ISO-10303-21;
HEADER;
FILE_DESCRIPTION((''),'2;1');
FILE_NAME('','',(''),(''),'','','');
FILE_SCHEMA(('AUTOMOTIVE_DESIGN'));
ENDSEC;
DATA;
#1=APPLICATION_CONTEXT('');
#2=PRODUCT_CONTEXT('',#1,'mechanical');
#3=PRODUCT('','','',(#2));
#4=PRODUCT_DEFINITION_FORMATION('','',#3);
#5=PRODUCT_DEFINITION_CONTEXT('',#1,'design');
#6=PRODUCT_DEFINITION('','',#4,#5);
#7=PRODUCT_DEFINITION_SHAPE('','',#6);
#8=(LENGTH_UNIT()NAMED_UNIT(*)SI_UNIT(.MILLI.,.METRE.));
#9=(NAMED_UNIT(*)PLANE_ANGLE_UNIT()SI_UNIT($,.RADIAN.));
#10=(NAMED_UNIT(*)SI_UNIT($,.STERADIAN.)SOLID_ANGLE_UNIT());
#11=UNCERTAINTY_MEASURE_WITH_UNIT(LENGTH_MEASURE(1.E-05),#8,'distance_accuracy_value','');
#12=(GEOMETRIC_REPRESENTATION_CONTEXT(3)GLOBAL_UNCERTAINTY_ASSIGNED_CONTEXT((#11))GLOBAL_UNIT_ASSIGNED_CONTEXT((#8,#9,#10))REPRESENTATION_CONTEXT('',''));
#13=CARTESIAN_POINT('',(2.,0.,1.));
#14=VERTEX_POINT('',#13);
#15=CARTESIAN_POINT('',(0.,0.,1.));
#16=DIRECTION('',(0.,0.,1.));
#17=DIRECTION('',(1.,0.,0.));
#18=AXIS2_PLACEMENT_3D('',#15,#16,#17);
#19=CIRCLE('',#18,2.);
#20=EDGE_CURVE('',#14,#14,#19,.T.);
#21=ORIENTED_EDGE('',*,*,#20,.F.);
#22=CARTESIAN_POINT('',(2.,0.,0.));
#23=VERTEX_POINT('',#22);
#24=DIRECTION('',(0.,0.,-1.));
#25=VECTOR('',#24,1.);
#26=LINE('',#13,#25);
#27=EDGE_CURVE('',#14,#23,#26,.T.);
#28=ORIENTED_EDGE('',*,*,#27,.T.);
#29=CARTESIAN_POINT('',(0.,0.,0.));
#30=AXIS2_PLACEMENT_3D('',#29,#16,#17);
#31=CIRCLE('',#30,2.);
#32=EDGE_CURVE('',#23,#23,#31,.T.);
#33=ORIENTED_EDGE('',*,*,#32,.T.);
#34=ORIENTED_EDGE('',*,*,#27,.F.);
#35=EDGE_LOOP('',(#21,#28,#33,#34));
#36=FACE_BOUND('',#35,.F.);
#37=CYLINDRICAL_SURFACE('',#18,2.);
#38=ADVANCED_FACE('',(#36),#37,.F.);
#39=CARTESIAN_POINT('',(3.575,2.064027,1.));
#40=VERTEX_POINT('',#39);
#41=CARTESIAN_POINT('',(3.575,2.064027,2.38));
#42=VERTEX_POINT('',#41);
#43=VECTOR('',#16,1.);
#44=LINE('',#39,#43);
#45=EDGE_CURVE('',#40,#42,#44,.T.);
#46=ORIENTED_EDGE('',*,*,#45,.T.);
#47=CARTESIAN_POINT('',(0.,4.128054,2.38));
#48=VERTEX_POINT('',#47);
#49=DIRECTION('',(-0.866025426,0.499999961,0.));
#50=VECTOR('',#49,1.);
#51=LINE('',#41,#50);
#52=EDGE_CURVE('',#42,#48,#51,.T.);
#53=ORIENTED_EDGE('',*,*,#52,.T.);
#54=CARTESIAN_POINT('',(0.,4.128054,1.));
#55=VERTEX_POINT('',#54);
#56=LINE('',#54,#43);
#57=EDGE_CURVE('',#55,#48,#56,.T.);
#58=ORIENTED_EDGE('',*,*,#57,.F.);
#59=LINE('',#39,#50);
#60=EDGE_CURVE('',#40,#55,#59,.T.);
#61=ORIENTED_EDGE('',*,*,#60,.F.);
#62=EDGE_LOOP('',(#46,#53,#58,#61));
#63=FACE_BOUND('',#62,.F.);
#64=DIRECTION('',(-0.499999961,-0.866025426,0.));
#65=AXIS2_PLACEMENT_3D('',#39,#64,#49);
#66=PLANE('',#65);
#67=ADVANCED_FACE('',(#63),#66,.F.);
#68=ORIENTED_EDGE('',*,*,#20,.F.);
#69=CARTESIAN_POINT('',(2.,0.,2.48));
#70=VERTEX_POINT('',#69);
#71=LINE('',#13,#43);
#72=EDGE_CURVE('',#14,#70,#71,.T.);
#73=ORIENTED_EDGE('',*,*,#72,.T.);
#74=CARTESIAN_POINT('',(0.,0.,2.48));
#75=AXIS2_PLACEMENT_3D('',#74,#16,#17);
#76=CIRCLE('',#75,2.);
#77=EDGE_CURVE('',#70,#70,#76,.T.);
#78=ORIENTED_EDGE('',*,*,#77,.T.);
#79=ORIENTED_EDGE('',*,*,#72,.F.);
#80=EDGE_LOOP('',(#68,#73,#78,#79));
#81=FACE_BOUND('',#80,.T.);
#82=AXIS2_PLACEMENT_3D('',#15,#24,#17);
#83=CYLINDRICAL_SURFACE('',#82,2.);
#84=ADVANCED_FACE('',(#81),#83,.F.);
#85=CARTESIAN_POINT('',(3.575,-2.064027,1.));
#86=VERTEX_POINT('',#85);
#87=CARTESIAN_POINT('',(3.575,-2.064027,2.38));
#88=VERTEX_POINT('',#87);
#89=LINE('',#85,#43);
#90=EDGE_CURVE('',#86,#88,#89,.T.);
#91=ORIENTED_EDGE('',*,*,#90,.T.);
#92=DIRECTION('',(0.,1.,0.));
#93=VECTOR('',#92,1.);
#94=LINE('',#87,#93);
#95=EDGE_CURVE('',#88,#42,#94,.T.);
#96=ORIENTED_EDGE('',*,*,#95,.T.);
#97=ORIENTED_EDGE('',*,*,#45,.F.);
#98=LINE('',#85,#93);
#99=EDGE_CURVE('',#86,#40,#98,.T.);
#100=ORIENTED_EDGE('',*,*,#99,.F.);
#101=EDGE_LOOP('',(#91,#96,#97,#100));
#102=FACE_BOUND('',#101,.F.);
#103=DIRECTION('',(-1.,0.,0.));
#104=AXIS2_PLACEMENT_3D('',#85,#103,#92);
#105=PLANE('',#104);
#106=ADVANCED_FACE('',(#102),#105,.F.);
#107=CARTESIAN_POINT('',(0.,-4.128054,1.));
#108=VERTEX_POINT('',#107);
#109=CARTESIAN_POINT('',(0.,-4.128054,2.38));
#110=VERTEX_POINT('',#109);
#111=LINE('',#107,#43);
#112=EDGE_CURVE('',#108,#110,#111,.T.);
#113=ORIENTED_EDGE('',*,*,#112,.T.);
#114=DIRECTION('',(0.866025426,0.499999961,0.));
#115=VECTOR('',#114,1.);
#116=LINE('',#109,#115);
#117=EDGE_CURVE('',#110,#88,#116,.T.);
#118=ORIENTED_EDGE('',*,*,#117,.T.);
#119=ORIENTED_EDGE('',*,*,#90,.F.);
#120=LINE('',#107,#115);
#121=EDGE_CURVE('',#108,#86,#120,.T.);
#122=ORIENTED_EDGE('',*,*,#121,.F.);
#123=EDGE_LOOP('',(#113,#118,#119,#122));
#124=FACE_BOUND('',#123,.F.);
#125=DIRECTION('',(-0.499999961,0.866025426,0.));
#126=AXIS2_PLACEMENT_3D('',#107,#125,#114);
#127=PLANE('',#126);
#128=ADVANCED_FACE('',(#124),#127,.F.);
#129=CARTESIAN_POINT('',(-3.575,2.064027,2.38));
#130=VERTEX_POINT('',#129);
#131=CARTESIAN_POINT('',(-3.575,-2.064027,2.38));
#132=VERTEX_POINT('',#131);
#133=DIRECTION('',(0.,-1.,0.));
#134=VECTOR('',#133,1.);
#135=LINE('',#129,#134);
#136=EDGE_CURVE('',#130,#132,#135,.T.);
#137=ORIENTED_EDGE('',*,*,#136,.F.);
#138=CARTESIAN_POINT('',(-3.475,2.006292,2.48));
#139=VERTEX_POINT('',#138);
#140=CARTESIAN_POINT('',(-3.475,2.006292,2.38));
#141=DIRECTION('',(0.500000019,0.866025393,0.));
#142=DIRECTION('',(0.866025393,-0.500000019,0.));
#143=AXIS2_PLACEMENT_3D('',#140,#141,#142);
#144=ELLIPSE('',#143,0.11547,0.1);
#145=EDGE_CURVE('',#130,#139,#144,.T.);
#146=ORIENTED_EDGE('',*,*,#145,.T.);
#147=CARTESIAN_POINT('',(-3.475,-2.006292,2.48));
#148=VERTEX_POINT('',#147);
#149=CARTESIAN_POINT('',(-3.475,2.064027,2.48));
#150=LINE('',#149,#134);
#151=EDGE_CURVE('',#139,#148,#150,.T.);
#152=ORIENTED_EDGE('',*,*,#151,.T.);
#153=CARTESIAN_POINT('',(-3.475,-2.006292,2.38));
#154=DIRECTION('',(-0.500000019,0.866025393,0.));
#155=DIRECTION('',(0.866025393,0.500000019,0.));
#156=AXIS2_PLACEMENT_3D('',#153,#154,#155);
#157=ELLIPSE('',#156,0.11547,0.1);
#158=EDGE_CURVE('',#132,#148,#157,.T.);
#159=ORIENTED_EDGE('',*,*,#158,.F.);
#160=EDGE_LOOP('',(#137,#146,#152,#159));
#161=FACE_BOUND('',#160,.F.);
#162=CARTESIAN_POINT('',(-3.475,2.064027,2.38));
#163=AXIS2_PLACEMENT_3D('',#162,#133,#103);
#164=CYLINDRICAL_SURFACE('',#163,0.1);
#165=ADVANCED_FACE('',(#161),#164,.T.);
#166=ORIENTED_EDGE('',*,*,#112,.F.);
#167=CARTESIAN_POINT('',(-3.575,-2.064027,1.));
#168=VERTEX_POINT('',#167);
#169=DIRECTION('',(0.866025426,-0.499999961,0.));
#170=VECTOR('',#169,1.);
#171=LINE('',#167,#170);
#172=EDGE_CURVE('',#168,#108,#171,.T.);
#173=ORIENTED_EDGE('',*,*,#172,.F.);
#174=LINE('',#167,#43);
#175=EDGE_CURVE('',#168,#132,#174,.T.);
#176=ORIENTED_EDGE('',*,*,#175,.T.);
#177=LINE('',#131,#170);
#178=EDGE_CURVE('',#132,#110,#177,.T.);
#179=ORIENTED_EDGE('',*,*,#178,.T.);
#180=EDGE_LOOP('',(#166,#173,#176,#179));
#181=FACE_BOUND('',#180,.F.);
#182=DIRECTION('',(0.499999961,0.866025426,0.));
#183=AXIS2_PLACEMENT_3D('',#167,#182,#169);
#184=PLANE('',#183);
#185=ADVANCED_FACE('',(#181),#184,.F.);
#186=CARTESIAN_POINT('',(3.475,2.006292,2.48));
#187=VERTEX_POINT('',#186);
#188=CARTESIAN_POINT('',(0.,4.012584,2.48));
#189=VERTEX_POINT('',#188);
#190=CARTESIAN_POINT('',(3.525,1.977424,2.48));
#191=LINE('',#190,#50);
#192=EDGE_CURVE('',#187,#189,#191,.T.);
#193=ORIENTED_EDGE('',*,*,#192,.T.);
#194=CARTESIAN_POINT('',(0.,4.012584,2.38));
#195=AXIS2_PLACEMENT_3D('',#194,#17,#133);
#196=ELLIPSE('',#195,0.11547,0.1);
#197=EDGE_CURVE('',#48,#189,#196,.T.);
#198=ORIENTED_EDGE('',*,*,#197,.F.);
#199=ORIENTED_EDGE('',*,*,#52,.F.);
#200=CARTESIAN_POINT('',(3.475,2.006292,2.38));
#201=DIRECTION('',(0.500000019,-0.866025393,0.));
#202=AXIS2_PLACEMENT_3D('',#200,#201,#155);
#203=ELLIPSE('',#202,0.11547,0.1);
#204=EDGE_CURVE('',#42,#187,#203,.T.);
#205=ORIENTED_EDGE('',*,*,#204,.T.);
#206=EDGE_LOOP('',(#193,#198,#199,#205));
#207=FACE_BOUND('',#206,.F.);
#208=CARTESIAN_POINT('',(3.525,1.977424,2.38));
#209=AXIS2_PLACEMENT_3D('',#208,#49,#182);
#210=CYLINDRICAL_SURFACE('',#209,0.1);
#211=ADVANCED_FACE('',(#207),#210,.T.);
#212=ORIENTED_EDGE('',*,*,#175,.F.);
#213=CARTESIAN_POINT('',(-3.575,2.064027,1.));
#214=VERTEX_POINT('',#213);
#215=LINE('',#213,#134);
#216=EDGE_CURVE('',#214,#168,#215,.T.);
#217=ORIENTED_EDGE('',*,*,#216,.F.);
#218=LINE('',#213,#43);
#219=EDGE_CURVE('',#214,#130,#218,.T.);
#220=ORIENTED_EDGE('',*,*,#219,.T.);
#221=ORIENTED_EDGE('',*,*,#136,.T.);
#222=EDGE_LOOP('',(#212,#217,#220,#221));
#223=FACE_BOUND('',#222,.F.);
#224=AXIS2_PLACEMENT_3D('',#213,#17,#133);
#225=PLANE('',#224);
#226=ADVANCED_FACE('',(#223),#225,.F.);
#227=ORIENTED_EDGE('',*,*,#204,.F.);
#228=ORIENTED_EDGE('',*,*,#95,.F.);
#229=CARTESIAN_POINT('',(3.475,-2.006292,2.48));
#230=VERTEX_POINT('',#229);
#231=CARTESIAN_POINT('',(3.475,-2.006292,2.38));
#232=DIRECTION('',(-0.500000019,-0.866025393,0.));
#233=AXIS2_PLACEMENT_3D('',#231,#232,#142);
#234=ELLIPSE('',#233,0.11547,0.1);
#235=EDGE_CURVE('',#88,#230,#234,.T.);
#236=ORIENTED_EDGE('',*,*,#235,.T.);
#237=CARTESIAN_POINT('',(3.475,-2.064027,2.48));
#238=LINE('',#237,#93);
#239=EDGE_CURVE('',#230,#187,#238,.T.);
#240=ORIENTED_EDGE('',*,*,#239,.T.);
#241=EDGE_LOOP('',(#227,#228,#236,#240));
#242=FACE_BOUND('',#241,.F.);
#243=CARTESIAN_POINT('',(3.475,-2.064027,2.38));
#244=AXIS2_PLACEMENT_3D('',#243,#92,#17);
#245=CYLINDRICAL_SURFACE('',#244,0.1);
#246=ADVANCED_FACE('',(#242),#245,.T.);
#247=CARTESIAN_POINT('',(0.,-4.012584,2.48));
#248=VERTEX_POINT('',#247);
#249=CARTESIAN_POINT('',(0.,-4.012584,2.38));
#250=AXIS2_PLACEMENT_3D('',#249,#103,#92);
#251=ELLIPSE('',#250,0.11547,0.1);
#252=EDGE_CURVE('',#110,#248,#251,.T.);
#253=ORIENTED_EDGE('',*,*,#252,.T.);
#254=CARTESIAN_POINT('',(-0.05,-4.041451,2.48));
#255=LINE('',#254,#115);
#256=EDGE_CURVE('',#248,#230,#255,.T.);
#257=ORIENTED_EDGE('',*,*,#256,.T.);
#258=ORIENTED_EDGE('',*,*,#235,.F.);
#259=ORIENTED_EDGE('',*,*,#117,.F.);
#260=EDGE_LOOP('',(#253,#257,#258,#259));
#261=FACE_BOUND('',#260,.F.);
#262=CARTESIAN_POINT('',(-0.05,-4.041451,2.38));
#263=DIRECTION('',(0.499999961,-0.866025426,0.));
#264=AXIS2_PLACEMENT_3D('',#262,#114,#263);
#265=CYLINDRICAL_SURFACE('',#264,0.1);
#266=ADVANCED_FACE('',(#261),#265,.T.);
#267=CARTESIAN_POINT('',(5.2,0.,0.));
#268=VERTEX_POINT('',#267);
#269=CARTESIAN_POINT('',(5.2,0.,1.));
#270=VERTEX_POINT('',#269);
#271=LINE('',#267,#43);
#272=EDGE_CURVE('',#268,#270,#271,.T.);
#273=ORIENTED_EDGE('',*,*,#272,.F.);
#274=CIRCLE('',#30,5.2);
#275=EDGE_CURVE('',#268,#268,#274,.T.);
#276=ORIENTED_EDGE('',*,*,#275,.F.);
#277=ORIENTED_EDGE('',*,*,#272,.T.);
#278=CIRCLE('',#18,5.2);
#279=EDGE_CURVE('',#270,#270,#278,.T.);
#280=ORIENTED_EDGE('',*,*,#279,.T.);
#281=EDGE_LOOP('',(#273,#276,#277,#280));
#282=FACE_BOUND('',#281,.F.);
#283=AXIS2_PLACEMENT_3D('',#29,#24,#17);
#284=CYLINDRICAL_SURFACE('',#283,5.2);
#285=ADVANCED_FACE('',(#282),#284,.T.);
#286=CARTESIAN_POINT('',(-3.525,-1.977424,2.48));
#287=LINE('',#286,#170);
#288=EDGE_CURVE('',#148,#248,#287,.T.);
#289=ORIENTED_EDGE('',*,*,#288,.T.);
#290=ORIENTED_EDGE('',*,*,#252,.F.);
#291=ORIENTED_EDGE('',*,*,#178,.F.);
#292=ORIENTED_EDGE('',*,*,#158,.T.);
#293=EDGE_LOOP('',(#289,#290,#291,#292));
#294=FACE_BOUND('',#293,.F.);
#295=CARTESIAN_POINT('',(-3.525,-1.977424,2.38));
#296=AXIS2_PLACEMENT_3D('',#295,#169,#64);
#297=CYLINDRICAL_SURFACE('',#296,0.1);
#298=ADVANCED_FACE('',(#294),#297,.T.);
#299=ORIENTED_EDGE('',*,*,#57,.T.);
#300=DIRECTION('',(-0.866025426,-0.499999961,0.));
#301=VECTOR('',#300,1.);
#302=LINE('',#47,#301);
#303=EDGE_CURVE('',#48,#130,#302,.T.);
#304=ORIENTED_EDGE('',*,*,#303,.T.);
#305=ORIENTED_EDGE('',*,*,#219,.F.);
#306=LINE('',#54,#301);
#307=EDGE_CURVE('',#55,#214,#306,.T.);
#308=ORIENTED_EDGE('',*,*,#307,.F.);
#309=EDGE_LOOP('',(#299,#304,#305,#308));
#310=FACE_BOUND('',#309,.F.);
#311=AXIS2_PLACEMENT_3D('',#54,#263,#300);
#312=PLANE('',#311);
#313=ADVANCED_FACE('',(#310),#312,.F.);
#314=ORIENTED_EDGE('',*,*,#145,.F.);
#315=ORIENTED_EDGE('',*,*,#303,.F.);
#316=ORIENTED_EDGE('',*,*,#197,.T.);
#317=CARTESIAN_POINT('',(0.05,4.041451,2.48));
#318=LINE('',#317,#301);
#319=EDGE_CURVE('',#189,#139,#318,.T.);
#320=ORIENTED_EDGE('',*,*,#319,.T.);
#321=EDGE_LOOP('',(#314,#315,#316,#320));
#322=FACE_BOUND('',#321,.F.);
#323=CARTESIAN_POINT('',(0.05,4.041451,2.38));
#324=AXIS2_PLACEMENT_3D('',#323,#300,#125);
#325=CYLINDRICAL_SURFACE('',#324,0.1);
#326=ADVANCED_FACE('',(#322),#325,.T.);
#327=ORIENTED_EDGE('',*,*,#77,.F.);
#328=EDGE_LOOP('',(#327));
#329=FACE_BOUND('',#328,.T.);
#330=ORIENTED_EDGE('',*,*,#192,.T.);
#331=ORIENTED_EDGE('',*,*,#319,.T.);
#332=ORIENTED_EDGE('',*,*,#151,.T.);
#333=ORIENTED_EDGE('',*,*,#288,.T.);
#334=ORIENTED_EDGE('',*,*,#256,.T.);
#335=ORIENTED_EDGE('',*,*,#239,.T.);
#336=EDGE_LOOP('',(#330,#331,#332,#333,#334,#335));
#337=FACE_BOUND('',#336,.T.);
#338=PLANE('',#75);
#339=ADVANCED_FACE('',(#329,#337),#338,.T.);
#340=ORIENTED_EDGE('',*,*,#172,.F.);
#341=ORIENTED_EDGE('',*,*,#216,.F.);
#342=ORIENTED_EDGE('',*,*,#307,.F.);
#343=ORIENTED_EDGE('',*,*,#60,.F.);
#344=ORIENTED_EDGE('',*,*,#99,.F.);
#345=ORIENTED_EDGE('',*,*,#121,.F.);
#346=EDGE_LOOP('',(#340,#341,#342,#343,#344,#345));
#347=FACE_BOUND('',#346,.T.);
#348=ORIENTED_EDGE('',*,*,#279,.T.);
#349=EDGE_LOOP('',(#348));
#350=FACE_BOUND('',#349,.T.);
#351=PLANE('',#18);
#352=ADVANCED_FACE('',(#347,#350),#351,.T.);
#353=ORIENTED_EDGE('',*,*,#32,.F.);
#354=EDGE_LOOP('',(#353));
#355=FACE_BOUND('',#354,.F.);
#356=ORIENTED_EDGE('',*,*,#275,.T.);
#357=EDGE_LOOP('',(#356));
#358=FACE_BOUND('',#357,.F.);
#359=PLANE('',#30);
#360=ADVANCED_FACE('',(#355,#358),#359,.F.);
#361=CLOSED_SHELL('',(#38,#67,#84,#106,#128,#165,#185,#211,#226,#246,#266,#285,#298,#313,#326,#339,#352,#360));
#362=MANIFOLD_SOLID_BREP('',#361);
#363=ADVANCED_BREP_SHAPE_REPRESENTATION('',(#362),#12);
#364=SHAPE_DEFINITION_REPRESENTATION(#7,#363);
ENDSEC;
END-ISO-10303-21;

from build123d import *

# Parameters (mm, degrees)
F0_R          = 5.2
F1_DEPTH      = 1
F2_R          = 2
F3_DEPTH      = 1.48
F4_DEPTH      = 25
F4_DEPTH_BACK = 25
F5_R          = 0.1


with BuildPart() as f1:
    # F0 (on Top) → F1 (new body)
    with BuildSketch(Plane.XY):
        Circle(F0_R)
    extrude(amount=F1_DEPTH)

    # F2 (on face) → F3 (join)
    with BuildSketch(Plane.XY.offset(1)):
        Polygon((3.575, -2.064027), (3.575, 2.064027), (0, 4.128054), (-3.575, 2.064027), (-3.575, -2.064027), (0, -4.128054), align=None)
        Circle(F2_R, mode=Mode.SUBTRACT)
    extrude(amount=F3_DEPTH)

    # F2 (on face) → F4 (cut, two sides)
    with BuildSketch(Plane.XY.offset(1)) as f4_sk:
        Circle(F2_R)
    extrude(amount=-F4_DEPTH, mode=Mode.SUBTRACT)
    extrude(f4_sk.sketch, amount=-F4_DEPTH_BACK, mode=Mode.SUBTRACT)

    # F5
    f5_edges = [f1.edges().sort_by_distance(p)[0] for p in [
        (1.7875, -3.096041, 2.48),
        (3.575, 0, 2.48),
        (-1.7875, -3.096041, 2.48),
        (-3.575, 0, 2.48),
        (-1.7875, 3.096041, 2.48),
        (1.7875, 3.096041, 2.48),
    ]]
    fillet(f5_edges, radius=F5_R)


solid = f1.part
